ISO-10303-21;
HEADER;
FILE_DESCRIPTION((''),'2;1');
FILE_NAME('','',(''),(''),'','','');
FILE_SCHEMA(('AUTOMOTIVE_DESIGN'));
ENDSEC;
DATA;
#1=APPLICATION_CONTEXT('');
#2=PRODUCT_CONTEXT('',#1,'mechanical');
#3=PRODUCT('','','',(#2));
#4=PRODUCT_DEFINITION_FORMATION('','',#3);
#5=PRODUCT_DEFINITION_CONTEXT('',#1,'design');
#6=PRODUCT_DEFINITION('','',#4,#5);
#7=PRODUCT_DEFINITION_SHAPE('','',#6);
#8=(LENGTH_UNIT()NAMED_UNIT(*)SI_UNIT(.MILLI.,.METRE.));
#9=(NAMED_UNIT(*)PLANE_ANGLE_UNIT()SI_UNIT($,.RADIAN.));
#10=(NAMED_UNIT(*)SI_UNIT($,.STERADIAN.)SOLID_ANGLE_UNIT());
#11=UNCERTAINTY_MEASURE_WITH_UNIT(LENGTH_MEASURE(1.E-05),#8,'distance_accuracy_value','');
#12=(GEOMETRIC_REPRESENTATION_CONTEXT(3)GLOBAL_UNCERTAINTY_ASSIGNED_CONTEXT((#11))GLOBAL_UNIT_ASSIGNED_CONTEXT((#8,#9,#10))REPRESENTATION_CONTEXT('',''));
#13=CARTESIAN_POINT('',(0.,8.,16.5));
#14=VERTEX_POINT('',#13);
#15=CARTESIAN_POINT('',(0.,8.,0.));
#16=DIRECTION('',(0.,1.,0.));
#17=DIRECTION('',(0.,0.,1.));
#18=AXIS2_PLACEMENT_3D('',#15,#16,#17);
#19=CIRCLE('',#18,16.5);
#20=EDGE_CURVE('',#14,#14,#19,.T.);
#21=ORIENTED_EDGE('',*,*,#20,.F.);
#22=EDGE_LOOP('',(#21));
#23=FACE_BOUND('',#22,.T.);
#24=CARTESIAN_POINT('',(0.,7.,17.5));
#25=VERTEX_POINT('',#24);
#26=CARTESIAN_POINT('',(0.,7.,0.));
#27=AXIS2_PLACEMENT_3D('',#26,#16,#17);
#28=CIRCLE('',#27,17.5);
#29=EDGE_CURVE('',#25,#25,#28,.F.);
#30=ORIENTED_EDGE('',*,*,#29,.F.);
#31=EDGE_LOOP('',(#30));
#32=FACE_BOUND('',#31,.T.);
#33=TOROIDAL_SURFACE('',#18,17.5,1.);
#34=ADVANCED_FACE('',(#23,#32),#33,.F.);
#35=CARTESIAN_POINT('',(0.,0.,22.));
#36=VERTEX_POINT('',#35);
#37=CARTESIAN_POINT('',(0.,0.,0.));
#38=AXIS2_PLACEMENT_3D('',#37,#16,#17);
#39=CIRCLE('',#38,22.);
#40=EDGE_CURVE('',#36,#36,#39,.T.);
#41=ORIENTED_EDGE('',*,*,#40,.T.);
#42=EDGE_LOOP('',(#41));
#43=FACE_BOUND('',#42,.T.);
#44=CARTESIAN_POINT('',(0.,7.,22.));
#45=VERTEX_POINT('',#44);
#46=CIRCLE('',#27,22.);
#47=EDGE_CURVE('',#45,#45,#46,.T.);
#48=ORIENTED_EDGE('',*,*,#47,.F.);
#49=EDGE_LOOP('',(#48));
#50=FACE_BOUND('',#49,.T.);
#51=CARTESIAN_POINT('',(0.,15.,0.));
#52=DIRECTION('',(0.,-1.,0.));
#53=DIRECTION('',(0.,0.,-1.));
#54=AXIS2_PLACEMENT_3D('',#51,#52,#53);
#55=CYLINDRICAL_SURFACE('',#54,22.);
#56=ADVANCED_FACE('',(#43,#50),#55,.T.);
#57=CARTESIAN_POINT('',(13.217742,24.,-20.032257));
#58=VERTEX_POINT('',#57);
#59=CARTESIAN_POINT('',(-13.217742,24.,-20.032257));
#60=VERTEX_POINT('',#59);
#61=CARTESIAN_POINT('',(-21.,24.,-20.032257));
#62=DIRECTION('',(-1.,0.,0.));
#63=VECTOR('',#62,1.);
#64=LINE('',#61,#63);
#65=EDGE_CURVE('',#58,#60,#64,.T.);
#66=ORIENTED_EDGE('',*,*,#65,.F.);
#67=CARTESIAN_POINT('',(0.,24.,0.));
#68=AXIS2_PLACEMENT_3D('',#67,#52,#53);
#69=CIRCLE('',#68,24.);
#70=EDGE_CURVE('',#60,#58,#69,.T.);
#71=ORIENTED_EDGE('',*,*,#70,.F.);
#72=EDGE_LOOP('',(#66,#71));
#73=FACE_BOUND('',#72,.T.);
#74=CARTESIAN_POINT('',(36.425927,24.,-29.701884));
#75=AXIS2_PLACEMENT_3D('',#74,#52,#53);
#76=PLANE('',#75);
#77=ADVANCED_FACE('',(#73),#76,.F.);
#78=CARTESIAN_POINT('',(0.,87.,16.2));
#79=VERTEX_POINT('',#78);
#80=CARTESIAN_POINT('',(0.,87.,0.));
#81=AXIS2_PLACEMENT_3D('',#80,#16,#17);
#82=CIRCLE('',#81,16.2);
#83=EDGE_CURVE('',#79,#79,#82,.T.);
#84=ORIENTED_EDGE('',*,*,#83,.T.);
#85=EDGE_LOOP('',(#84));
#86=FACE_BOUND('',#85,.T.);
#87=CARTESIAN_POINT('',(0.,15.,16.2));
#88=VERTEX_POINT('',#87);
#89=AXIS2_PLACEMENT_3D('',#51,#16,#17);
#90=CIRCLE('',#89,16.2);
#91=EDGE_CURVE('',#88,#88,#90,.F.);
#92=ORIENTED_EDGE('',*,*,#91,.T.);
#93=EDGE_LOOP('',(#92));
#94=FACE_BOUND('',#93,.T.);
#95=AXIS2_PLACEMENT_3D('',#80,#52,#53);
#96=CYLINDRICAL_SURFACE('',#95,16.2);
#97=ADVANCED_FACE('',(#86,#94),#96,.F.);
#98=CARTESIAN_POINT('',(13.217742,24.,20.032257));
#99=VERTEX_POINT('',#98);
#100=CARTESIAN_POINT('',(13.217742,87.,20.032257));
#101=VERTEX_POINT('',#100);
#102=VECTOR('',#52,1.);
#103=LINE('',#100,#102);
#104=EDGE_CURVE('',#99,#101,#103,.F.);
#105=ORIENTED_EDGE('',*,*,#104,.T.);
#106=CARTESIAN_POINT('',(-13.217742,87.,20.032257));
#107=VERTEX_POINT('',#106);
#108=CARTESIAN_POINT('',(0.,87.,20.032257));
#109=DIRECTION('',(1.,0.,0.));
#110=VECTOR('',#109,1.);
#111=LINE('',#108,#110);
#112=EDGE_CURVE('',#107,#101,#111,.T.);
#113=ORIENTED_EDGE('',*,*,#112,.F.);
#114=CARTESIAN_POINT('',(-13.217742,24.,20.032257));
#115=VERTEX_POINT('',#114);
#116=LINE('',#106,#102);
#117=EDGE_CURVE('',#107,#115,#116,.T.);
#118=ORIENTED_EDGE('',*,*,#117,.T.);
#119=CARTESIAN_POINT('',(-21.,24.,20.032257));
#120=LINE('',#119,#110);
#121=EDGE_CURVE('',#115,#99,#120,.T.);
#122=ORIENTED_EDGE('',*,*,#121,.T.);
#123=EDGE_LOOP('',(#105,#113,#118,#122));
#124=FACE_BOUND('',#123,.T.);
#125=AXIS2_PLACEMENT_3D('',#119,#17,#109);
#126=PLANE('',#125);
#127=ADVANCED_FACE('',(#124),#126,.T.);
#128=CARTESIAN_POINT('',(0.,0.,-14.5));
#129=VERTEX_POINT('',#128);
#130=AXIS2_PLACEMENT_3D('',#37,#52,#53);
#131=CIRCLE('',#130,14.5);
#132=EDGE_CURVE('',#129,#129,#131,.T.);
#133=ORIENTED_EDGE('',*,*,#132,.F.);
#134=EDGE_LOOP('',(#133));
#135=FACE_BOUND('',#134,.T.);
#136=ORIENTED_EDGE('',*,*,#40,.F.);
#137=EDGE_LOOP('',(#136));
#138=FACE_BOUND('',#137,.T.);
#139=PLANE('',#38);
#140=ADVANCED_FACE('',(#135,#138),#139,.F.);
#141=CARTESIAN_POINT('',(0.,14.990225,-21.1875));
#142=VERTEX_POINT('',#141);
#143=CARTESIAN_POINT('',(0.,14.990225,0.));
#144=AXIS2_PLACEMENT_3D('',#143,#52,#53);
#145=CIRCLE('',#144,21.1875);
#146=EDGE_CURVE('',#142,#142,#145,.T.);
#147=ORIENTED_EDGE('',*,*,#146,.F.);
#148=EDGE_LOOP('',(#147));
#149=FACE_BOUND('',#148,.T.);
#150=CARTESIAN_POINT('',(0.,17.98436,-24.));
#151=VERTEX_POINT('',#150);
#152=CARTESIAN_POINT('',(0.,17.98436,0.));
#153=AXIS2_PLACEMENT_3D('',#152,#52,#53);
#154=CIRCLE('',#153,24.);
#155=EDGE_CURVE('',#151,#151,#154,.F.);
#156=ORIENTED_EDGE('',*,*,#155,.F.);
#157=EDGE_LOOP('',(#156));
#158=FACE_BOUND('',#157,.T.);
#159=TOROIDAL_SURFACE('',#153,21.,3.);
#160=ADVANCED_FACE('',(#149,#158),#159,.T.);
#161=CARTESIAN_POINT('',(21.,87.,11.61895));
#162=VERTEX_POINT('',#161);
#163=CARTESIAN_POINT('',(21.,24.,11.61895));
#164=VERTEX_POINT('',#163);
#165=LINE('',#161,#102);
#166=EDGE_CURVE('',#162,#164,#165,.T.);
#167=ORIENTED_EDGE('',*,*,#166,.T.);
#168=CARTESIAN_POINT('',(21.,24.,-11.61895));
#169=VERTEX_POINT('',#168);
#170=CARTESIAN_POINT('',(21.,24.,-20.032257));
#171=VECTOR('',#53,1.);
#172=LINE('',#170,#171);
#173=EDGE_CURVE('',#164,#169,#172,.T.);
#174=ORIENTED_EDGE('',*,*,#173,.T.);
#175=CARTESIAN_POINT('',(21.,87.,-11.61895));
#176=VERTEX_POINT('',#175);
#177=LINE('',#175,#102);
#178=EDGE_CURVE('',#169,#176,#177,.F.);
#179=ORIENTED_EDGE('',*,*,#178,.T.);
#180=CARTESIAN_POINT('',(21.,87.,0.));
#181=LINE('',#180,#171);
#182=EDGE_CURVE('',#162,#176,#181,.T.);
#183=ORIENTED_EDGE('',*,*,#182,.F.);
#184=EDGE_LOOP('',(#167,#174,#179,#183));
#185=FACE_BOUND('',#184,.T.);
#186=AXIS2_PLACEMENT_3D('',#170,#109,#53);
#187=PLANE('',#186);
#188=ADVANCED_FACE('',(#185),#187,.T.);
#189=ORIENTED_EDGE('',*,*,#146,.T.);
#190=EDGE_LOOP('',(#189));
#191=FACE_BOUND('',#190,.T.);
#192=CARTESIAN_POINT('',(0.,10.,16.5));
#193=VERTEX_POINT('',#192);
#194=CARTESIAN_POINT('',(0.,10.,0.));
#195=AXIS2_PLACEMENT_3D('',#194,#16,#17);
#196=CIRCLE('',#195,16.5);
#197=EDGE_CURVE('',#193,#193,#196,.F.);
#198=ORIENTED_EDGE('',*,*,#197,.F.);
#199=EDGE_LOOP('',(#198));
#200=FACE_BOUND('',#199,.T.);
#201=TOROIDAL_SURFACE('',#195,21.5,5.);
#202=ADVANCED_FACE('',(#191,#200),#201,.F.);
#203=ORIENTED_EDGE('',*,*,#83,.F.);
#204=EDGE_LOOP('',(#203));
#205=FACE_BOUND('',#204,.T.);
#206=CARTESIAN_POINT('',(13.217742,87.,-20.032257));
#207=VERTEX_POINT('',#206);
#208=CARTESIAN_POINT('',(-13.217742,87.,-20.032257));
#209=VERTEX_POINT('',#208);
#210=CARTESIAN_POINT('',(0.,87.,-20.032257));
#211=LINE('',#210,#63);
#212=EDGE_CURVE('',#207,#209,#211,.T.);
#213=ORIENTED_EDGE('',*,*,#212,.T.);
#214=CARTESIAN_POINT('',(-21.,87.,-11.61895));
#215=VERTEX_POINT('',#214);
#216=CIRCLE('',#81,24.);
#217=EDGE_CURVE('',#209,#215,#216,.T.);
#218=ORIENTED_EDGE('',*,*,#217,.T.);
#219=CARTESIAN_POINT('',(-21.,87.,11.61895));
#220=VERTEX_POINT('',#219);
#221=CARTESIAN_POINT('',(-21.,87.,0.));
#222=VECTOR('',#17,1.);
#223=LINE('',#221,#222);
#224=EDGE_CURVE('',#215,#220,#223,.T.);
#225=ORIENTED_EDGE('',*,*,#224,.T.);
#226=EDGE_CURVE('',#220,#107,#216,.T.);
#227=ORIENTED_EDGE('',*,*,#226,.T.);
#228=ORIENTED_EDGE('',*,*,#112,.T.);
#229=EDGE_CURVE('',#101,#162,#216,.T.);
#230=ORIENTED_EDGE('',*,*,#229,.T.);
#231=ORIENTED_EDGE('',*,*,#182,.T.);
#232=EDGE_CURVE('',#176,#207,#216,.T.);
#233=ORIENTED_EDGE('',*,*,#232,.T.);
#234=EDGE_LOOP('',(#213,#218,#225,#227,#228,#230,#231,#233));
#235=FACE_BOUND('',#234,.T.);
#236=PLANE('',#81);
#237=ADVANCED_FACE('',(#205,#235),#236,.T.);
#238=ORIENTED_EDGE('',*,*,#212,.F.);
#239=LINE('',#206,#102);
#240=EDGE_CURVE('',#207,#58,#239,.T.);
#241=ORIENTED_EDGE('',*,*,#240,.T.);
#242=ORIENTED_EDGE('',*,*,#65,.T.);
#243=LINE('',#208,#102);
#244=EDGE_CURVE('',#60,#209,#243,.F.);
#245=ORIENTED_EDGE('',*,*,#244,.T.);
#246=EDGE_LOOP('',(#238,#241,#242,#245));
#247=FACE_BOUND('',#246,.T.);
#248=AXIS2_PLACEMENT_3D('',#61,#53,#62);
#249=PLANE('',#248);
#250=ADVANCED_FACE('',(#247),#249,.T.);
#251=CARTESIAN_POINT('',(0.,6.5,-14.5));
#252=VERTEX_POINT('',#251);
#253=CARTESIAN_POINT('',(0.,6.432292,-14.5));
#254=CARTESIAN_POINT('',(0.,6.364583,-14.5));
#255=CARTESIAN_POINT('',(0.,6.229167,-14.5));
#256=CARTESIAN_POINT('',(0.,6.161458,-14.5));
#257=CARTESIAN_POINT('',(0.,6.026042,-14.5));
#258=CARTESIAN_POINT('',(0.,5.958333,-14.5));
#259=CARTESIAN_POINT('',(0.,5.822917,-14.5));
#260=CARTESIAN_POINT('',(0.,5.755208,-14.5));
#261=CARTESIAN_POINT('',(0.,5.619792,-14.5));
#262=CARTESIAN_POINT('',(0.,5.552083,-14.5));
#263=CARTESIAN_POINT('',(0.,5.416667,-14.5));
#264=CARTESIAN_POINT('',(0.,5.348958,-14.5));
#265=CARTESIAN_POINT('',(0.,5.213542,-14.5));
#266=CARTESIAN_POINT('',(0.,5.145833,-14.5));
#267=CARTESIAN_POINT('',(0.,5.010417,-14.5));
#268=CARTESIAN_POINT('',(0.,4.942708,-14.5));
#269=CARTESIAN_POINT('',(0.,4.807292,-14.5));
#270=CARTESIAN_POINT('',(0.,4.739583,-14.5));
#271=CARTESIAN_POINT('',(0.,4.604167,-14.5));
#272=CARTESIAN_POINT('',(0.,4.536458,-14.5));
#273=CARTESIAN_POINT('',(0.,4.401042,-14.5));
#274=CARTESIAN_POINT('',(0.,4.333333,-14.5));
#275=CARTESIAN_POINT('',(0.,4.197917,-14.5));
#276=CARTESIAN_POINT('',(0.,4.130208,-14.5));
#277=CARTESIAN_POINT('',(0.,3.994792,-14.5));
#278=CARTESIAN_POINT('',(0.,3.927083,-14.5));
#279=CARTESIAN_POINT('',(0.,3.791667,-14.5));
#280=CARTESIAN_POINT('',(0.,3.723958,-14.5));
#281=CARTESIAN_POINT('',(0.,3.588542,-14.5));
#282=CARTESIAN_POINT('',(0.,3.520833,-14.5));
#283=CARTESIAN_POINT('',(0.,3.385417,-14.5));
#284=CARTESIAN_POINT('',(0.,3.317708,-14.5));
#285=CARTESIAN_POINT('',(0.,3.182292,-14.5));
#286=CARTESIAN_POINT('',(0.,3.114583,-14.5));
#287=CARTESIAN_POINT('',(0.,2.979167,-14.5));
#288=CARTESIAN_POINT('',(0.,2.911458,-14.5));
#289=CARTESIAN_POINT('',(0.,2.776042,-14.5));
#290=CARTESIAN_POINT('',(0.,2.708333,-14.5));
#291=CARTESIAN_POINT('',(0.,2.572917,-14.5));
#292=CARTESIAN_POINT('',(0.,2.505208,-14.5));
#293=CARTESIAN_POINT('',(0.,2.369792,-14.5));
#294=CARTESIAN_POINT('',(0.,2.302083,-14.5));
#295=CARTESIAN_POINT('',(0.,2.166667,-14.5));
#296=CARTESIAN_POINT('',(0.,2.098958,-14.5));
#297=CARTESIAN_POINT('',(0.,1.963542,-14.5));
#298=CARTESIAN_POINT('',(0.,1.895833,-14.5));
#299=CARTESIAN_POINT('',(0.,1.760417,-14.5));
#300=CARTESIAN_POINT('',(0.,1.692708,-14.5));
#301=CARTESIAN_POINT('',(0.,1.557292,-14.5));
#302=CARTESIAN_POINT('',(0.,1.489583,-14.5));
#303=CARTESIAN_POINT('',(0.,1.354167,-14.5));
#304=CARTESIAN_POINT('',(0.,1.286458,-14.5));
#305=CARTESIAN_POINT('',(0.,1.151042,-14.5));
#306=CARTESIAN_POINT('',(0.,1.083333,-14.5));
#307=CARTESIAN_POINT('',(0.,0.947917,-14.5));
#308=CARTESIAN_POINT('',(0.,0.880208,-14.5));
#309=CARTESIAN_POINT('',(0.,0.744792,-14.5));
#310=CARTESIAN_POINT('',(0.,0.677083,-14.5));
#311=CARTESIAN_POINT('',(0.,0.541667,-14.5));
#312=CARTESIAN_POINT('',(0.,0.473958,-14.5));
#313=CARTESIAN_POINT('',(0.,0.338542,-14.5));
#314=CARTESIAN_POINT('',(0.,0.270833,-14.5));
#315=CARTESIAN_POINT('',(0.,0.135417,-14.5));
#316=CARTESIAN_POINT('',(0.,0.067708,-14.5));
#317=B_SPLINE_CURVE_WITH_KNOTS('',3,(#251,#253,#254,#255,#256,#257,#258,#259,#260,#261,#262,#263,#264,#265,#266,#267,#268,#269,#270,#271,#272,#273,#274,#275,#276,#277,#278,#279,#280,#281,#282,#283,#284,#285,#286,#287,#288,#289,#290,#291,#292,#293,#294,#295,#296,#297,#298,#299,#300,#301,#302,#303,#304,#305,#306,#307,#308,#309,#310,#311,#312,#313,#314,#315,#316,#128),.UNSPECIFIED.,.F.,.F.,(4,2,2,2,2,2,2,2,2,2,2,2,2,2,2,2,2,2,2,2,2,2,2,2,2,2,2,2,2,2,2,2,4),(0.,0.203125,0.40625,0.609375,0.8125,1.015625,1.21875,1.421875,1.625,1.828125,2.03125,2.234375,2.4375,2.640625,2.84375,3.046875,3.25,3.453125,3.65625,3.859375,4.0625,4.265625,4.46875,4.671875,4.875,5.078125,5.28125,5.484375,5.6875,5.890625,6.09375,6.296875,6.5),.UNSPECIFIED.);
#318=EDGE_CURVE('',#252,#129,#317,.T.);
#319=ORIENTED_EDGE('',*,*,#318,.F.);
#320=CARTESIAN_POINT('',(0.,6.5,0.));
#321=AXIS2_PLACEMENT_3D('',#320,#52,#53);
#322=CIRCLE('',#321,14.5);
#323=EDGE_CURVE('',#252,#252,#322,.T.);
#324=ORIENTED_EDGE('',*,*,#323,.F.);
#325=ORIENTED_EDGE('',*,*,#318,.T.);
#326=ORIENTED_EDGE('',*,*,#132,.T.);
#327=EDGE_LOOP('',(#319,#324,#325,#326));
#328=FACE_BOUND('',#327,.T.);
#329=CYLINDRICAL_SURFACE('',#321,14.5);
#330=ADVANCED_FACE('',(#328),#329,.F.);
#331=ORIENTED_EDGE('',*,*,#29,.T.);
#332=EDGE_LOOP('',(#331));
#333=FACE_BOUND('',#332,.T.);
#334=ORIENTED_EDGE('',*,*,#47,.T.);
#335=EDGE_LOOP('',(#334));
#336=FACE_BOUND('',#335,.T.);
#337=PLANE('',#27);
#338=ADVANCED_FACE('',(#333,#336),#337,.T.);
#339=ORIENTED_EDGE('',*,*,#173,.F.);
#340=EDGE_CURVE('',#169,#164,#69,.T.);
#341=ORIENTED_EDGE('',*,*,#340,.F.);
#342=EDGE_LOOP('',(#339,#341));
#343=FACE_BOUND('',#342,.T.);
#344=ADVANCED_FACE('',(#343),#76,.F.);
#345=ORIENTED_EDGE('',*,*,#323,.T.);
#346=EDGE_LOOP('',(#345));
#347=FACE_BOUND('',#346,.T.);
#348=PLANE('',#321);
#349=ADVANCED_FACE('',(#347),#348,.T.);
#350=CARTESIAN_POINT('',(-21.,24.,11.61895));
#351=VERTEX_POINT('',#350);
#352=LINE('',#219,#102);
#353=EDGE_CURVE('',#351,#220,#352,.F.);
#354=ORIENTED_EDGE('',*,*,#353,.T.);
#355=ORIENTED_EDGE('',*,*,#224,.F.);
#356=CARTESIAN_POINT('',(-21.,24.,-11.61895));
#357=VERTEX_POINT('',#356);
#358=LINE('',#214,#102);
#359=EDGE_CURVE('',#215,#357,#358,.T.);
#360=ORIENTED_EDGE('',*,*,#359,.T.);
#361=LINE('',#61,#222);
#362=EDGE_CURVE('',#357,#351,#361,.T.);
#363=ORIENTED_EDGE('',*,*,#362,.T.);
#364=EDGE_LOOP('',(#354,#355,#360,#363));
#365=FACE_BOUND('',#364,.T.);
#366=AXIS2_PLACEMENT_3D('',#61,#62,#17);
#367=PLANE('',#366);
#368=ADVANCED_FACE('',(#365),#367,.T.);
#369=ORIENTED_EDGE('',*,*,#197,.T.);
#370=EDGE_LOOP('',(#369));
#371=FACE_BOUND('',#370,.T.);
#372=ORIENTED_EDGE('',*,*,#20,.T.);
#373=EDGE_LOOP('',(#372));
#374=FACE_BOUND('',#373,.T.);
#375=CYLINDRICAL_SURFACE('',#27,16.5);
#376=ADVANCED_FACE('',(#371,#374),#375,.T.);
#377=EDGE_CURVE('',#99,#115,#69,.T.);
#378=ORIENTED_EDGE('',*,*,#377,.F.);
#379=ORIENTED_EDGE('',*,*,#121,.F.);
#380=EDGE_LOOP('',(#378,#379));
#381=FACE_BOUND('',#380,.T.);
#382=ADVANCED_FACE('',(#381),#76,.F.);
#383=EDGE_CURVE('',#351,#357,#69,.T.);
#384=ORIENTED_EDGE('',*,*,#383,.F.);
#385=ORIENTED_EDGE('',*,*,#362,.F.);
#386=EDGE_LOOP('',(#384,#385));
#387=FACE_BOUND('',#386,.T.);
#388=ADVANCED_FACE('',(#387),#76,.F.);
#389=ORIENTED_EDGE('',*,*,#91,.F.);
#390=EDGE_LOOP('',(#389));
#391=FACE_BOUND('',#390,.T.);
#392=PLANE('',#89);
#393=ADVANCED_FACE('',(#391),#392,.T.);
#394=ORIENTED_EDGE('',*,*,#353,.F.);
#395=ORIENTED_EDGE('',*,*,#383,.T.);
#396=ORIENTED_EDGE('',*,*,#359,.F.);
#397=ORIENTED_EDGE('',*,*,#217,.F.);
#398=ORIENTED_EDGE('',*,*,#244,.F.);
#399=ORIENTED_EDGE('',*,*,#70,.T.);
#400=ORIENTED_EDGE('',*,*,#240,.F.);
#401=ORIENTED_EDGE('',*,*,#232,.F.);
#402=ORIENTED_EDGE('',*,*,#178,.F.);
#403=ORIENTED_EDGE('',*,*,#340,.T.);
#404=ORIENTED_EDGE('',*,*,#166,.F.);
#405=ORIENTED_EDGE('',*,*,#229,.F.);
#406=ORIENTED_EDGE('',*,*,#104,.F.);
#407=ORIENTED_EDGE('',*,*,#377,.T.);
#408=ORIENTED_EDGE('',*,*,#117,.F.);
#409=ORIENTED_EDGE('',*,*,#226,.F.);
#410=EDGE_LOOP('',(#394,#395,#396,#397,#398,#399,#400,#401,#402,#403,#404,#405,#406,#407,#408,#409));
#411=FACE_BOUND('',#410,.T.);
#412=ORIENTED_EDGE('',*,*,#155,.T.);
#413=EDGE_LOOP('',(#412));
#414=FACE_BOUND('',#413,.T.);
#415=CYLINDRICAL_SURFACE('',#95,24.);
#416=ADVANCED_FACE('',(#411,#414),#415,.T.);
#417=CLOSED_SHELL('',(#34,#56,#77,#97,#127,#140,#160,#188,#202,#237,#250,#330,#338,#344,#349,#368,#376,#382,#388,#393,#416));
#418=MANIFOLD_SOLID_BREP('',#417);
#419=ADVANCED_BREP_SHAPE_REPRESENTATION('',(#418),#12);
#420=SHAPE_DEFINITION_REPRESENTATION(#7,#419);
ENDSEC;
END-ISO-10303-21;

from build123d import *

# Parameters (mm, degrees)
SKETCH_1_R                 = 22
EXTRUDE_1_DEPTH            = 15
SKETCH_2_R                 = 14.5
CUT_EXTRUDE_2_DEPTH        = 6.5
SKETCH_4_R                 = 25
SKETCH_4_R_2               = 16.5
CUT_EXTRUDE_1_DEPTH        = 8
SKETCH_5_R                 = 24
SKETCH_5_R_2               = 16.2
EXTRUDE_4_DEPTH            = 72
FILLET_1_R                 = 1
FILLET_2_R                 = 5
FILLET_3_R                 = 3
CUT_EXTRUDE_2_2_DEPTH      = 50
CUT_EXTRUDE_2_2_DEPTH_BACK = 26
CUT_EXTRUDE_2_2_START      = 50
SKETCH_6_W                 = 42
SKETCH_6_H                 = 40.064513034


with BuildPart() as part:
    # Эскиз1 → Вытянуть1 (new body)
    with BuildSketch(Plane(origin=(0, 0, 0), x_dir=(1, 0, 0), z_dir=(0, 1, 0))):
        with Locations(Location((0, 0, 0), (0, 0, 270))):
            Circle(SKETCH_1_R)
    extrude(amount=EXTRUDE_1_DEPTH)

    # Эскиз2 → Cut-Extrude 2 (cut)
    with BuildSketch(Plane.XZ):
        with Locations(Location((0, 0, 0), (0, 0, 270))):
            Circle(SKETCH_2_R)
    extrude(amount=-CUT_EXTRUDE_2_DEPTH, mode=Mode.SUBTRACT)

    # Эскиз4 → Вырез-Вытянуть1 (cut)
    with BuildSketch(Plane(origin=(0, 15, 0), x_dir=(1, 0, 0), z_dir=(0, 1, 0))):
        Circle(SKETCH_4_R)
        with Locations(Location((0, 0, 0), (0, 0, 270))):
            Circle(SKETCH_4_R_2, mode=Mode.SUBTRACT)
    extrude(amount=-CUT_EXTRUDE_1_DEPTH, mode=Mode.SUBTRACT)

    # Эскиз5 → Вытянуть4 (add)
    with BuildSketch(Plane(origin=(0, 15, 0), x_dir=(1, 0, 0), z_dir=(0, 1, 0))):
        with Locations(Location((0, 0, 0), (0, 0, 270))):
            Circle(SKETCH_5_R)
        with Locations(Location((0, 0, 0), (0, 0, 270))):
            Circle(SKETCH_5_R_2, mode=Mode.SUBTRACT)
    extrude(amount=EXTRUDE_4_DEPTH)

    # Скругление1
    fillet_1_edges = [part.edges().sort_by_distance(p)[0] for p in [
        (0, 7, -16.5),
    ]]
    fillet(fillet_1_edges, radius=FILLET_1_R)

    # Скругление2
    fillet_2_edges = [part.edges().sort_by_distance(p)[0] for p in [
        (0, 15, -16.5),
    ]]
    fillet(fillet_2_edges, radius=FILLET_2_R)

    # Скругление3
    fillet_3_edges = [part.edges().sort_by_distance(p)[0] for p in [
        (0, 15, -24),
    ]]
    fillet(fillet_3_edges, radius=FILLET_3_R)

    # Эскиз6 → Cut-Extrude 2 2 (cut, two sides: drawn at the far end of the back side and taken through both)
    with BuildSketch(Plane(origin=(0, 0, 0), x_dir=(1, 0, 0), z_dir=(0, 1, 0)).offset(CUT_EXTRUDE_2_2_START - CUT_EXTRUDE_2_2_DEPTH_BACK)):
        Polygon((21, 29.701884449), (36.425926694, 29.701884449), (36.425926694, -29.522725679), (-36.425926694, -29.522725679), (-36.425926694, 29.701884449), (-21, 29.701884449), align=None)
        Rectangle(SKETCH_6_W, SKETCH_6_H, mode=Mode.SUBTRACT)
    extrude(amount=CUT_EXTRUDE_2_2_DEPTH + CUT_EXTRUDE_2_2_DEPTH_BACK, mode=Mode.SUBTRACT)


solid = part.part
